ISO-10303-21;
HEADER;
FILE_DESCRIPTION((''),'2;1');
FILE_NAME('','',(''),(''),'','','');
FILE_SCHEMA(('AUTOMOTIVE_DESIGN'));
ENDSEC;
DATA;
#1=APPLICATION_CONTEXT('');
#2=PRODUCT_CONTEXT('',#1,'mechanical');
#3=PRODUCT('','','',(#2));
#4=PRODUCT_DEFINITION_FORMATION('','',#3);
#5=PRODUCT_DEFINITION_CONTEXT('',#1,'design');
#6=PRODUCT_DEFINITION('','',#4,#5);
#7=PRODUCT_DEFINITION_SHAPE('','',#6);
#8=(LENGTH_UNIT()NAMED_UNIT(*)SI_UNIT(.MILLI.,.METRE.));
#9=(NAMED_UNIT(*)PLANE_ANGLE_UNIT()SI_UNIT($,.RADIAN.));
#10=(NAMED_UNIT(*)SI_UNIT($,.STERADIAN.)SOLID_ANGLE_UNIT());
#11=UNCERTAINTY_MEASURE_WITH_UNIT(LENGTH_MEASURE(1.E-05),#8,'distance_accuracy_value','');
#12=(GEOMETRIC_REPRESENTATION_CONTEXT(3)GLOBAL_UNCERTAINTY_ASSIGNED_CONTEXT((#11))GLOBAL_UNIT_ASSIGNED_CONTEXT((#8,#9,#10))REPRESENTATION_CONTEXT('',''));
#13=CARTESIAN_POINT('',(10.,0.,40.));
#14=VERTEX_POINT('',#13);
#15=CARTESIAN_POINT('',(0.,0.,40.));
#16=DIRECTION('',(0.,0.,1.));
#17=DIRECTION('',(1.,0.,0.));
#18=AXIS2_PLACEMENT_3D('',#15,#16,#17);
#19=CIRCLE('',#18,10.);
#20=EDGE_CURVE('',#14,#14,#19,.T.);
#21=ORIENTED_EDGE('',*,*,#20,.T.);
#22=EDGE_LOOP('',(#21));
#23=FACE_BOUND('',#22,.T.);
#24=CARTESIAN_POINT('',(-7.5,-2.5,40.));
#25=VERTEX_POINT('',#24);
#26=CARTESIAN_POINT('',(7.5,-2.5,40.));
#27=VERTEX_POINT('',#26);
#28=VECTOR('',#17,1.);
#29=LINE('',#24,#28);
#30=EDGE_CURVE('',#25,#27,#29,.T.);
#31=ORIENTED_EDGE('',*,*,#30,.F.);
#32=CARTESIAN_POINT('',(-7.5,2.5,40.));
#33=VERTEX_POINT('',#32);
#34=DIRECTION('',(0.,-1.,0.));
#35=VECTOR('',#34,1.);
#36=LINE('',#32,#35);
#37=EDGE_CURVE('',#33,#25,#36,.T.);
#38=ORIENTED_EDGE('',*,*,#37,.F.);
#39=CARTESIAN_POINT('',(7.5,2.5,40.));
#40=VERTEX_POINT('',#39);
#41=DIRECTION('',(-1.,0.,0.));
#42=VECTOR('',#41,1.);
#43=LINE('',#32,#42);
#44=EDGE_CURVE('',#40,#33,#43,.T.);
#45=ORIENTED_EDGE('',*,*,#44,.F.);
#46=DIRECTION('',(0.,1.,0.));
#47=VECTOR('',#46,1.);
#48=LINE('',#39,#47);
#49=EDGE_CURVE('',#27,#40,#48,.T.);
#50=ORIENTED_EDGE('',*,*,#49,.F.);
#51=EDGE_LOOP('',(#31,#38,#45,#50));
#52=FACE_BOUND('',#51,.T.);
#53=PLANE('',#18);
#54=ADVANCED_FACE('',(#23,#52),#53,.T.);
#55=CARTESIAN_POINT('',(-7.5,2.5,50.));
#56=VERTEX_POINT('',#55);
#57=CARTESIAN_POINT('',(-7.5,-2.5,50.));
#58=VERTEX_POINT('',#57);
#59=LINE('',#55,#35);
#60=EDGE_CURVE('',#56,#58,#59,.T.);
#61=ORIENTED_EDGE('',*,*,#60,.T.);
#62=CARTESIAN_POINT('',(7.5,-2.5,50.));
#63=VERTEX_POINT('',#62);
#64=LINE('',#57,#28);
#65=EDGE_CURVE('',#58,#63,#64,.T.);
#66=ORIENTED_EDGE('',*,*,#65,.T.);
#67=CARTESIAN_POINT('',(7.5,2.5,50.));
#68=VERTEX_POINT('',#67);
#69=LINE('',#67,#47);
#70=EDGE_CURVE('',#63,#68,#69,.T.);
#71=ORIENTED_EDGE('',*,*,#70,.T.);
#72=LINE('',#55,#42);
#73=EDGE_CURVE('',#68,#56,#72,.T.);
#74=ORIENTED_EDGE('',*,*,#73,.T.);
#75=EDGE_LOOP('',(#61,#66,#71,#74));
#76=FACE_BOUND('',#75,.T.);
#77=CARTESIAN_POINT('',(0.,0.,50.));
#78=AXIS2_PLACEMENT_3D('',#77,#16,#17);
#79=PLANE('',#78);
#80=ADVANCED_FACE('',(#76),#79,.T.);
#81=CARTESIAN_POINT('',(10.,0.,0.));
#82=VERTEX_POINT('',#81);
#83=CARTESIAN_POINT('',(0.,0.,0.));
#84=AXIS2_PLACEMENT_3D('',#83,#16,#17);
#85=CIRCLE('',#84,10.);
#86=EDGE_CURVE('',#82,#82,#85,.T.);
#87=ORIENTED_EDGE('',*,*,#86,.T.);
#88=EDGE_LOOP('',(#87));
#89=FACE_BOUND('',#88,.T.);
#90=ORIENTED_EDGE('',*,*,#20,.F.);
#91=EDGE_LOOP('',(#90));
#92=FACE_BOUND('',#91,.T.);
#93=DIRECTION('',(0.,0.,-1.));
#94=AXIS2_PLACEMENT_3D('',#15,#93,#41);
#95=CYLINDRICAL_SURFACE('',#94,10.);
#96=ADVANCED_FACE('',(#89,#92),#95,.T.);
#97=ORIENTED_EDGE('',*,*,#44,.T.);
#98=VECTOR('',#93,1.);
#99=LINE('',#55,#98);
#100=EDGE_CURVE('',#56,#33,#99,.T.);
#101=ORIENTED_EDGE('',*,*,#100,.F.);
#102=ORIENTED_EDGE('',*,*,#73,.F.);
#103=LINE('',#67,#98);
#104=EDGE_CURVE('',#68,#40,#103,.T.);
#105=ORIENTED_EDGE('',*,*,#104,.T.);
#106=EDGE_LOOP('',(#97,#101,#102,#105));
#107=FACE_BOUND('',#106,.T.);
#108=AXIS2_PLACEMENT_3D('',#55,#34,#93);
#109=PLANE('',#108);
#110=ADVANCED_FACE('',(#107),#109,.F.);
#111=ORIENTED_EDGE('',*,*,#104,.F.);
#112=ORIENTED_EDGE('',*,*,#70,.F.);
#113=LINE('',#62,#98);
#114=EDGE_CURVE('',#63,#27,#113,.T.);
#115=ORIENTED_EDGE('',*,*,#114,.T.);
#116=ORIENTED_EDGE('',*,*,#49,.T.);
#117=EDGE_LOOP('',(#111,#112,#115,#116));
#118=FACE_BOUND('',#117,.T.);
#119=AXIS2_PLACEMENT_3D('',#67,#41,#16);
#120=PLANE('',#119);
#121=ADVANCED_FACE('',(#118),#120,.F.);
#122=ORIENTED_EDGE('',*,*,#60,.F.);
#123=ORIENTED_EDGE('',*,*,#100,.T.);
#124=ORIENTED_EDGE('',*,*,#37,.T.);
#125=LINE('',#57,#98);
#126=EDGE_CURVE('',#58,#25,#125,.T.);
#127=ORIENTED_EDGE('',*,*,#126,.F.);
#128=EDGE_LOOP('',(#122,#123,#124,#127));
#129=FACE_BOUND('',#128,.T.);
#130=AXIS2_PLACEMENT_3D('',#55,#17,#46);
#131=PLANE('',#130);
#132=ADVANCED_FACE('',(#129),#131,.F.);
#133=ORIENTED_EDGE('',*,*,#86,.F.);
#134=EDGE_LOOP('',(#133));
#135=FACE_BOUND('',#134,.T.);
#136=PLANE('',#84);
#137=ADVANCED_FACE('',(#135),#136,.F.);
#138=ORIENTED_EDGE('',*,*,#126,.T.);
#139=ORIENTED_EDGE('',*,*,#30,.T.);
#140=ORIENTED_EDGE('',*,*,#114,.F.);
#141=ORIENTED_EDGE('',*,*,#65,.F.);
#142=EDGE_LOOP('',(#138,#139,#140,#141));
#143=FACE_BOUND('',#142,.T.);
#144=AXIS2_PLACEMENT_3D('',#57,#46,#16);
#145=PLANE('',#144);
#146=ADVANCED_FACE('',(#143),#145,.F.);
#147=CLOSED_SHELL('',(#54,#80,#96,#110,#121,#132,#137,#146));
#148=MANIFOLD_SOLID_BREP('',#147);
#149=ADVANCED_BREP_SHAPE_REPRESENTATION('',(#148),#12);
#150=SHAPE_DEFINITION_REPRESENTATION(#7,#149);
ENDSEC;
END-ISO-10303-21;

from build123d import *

# Parameters (mm, degrees)
SKETCH_1_R      = 10
EXTRUDE_1_DEPTH = 40
SKETCH_2_W      = 15
SKETCH_2_H      = 5
EXTRUDE_2_DEPTH = 10


with BuildPart() as part:
    # 스케치1 → 보스-돌출1 (new body)
    with BuildSketch(Plane.XY):
        Circle(SKETCH_1_R)
    extrude(amount=EXTRUDE_1_DEPTH)

    # 스케치2 → 보스-돌출2 (add)
    with BuildSketch(Plane.XY.offset(40)):
        Rectangle(SKETCH_2_W, SKETCH_2_H)
    extrude(amount=EXTRUDE_2_DEPTH)


solid = part.part
